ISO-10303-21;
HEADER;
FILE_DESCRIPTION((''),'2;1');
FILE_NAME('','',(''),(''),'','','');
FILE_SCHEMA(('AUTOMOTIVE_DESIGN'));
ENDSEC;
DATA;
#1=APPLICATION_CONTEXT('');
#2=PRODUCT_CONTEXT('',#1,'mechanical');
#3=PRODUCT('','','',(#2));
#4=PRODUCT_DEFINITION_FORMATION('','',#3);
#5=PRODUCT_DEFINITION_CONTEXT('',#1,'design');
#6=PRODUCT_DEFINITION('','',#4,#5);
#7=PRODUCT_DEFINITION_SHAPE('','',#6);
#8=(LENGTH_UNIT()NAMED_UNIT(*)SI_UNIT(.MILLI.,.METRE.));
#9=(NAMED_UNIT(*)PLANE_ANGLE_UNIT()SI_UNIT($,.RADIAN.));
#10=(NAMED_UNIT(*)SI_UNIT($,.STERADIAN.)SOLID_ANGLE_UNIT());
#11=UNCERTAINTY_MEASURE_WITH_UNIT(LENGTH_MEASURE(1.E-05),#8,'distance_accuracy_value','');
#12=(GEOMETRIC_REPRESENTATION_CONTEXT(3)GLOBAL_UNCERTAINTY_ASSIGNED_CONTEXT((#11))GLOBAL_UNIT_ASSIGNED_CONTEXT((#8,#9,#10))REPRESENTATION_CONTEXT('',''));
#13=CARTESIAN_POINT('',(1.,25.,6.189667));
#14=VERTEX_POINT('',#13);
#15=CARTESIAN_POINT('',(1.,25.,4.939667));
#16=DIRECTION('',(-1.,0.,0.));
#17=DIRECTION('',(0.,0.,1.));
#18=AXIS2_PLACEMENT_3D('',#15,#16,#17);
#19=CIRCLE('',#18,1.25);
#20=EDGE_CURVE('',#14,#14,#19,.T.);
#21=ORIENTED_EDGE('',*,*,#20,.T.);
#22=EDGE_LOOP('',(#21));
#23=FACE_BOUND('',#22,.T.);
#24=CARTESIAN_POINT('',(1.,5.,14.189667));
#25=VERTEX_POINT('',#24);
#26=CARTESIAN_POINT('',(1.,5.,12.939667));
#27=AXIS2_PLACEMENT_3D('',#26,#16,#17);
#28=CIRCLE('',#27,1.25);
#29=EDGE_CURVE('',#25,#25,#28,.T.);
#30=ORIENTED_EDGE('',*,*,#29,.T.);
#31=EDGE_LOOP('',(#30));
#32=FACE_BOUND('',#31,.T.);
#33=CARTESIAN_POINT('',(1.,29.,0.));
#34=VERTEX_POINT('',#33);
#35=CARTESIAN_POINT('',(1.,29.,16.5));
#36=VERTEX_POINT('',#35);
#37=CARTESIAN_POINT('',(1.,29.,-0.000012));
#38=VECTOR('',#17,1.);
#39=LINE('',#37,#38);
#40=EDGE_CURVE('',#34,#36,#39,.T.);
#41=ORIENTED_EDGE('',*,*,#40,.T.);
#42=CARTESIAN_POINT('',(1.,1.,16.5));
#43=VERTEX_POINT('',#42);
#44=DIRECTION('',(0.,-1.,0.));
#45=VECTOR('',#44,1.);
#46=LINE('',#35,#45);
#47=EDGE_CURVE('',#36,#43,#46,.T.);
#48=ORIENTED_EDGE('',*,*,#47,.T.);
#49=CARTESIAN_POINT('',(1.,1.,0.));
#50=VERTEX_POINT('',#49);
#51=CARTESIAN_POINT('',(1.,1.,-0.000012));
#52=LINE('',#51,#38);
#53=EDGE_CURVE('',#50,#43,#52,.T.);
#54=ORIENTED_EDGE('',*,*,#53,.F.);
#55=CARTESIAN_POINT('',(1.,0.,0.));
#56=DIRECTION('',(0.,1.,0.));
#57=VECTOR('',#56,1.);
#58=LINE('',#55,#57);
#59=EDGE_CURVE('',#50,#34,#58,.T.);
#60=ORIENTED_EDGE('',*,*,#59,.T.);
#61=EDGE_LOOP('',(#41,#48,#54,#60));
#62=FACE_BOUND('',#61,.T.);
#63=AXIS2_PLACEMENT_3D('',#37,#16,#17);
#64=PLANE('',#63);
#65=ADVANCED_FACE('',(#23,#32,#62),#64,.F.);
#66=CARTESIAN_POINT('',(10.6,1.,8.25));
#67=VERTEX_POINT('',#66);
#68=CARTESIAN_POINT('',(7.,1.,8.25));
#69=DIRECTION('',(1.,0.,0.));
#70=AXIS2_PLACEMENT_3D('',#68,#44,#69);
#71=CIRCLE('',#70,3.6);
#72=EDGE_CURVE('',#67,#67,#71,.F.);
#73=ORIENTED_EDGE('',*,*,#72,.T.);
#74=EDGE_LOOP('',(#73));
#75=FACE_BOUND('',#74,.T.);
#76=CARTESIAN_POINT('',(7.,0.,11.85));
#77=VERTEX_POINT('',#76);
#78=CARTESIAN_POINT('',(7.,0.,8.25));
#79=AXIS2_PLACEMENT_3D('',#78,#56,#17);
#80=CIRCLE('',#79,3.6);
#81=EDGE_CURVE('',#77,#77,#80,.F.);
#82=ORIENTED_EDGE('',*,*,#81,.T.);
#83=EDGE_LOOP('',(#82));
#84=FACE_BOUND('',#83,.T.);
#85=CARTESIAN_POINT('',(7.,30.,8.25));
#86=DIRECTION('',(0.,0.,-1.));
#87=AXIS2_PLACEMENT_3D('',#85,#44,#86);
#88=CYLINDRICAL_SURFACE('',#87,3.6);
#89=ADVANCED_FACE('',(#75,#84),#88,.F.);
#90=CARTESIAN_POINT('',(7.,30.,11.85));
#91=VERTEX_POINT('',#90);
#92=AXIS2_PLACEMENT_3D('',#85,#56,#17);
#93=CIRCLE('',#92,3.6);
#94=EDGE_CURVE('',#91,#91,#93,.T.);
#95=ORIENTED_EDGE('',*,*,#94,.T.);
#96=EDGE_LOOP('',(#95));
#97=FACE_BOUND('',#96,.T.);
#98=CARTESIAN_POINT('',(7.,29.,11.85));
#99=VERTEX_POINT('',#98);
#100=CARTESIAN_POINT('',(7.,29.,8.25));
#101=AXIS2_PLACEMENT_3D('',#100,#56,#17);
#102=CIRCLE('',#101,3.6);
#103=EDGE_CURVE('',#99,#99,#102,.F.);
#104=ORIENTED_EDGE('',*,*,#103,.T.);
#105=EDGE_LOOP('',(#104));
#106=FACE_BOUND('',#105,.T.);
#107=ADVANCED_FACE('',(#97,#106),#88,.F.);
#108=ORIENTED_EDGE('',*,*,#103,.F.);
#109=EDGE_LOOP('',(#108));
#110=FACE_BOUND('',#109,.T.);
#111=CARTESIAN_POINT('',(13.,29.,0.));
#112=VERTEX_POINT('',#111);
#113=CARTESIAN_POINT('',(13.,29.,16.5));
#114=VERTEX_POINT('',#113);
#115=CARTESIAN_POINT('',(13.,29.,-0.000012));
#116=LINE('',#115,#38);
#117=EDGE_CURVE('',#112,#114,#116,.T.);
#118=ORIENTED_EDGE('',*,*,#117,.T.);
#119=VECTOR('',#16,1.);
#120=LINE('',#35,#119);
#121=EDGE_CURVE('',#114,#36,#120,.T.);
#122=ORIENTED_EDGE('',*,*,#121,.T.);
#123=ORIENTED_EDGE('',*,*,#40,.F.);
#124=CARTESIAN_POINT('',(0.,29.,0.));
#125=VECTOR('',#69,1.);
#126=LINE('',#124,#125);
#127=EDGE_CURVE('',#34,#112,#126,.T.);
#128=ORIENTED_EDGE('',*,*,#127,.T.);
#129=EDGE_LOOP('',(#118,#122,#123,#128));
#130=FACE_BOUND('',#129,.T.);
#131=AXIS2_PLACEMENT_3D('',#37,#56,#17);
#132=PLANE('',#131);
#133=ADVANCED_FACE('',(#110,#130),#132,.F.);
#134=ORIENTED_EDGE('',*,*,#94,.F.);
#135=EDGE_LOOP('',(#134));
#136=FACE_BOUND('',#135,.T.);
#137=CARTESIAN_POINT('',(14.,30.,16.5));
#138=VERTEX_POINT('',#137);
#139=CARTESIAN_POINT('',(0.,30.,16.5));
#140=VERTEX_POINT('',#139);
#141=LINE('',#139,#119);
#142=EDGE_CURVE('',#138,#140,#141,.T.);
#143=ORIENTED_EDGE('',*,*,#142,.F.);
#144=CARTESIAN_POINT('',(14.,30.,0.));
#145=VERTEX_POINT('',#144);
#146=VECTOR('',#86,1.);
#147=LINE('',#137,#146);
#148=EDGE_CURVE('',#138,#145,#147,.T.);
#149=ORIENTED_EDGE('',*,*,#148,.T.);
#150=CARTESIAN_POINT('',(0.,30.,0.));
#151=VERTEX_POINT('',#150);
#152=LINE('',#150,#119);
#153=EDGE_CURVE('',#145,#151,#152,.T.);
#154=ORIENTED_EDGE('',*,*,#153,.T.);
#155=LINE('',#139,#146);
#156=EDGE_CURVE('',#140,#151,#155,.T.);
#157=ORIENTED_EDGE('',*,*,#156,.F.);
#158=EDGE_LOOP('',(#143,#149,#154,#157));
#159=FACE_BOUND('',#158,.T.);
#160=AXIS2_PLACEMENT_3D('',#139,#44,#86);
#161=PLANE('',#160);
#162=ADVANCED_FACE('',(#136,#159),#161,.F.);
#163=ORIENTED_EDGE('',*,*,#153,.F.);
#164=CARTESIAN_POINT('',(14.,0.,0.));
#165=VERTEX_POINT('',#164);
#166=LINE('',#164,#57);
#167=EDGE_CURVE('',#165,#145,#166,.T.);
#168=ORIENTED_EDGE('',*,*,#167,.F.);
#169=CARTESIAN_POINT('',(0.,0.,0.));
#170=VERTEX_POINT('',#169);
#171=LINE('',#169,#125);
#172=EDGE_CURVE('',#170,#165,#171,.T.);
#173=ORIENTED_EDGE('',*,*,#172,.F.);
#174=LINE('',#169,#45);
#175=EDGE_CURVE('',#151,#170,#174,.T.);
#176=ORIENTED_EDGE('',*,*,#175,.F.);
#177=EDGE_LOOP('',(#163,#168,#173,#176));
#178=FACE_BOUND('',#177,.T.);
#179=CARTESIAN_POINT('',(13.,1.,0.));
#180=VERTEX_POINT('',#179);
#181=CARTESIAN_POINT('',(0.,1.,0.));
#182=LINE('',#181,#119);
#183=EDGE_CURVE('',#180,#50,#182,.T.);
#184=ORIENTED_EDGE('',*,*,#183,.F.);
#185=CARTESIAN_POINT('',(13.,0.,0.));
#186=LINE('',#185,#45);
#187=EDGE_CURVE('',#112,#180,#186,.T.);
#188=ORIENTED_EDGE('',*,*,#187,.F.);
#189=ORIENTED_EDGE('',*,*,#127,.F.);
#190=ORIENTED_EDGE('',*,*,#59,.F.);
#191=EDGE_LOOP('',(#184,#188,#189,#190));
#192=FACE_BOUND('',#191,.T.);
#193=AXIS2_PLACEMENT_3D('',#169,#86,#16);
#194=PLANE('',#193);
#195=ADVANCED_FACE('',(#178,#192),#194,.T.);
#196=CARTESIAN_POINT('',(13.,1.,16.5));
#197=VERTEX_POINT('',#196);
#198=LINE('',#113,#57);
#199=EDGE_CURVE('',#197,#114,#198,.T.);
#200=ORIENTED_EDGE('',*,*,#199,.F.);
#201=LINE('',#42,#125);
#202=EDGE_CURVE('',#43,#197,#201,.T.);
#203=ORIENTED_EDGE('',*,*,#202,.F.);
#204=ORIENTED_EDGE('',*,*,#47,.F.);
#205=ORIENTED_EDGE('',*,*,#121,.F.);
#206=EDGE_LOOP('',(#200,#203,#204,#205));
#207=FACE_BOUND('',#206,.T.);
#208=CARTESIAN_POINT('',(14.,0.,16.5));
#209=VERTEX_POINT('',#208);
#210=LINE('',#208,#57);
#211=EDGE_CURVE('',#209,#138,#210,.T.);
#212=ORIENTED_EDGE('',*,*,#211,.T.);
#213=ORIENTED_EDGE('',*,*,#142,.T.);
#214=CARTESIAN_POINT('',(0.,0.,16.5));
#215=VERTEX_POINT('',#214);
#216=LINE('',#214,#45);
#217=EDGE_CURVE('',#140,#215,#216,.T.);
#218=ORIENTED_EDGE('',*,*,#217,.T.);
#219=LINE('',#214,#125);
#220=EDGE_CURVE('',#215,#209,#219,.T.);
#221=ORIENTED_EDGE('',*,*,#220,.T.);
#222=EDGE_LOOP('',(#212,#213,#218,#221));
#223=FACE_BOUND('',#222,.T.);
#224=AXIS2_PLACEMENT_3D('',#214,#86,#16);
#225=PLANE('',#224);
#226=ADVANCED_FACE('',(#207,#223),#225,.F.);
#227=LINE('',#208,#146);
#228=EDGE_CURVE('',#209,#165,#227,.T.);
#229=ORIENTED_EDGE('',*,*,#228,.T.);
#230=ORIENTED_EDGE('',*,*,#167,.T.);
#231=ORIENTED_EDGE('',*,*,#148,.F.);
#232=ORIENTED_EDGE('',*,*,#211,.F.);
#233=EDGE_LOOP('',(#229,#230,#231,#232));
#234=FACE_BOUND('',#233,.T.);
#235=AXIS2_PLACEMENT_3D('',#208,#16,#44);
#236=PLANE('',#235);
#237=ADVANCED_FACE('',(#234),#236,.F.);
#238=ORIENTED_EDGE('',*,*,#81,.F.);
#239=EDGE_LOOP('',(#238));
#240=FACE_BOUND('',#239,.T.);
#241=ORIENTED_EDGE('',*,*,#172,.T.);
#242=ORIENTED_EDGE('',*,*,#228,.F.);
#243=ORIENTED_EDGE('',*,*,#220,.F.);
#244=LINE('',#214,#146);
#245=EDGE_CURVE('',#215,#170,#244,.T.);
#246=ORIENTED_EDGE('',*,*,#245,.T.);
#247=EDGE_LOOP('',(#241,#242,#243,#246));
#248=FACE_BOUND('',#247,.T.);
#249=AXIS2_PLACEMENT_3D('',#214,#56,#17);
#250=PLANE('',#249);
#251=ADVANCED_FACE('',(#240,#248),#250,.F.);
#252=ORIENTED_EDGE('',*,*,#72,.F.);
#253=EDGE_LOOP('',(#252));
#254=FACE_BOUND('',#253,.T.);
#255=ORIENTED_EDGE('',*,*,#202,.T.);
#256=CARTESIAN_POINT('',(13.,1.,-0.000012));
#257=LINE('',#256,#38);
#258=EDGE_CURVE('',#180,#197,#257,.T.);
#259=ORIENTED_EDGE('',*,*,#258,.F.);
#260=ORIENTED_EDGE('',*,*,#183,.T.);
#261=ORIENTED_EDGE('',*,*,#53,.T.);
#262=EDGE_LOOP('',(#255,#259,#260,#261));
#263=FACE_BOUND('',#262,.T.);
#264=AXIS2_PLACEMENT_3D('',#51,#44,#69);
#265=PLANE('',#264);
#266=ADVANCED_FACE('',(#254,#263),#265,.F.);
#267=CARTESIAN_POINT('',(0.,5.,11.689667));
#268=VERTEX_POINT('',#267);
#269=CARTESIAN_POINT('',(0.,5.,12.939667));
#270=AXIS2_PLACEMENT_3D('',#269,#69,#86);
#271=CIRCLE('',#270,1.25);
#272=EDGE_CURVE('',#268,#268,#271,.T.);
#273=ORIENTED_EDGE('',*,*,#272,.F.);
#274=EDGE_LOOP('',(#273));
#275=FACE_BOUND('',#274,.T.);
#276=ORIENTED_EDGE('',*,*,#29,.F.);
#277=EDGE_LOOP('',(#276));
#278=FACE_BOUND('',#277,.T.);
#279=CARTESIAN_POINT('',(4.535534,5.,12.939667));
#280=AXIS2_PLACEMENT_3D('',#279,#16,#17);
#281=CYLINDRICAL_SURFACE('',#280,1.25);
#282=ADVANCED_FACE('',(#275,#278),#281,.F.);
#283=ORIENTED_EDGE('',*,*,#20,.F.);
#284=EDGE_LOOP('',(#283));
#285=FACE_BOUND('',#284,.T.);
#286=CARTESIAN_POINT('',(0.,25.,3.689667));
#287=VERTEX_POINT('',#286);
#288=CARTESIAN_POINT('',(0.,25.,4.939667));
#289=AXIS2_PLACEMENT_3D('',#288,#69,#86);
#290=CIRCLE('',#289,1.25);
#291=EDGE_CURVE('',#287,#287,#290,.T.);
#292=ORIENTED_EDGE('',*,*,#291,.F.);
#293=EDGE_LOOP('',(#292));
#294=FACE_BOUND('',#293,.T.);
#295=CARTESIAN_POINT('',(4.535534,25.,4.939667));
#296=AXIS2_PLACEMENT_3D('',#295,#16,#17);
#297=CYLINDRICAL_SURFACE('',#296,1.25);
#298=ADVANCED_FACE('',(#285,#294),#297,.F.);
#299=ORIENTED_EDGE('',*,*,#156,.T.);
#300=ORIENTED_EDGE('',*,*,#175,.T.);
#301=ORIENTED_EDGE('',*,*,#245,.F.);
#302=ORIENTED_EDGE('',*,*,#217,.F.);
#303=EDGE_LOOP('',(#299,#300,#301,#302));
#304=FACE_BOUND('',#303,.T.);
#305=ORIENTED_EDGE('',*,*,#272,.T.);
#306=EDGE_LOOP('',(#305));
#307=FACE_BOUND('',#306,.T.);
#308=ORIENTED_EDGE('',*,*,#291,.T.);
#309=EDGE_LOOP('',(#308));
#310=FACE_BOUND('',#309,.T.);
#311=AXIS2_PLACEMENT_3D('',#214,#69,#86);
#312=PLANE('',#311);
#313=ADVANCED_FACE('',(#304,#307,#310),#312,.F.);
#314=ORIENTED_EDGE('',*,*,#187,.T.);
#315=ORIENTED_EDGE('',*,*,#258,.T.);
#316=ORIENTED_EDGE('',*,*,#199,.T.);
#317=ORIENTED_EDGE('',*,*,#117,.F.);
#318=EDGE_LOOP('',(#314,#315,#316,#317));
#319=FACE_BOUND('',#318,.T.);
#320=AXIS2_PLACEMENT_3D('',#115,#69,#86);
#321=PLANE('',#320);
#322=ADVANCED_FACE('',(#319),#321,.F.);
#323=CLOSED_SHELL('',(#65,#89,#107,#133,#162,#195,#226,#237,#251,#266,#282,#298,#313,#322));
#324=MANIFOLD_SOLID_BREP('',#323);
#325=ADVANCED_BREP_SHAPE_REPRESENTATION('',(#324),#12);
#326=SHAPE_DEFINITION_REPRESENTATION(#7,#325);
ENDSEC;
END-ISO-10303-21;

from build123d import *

# Parameters (mm, degrees)
SKETCH1_W               = 14
SKETCH1_H               = 30
BOSS_EXTRUDE1_DEPTH     = 16.5
CUT_EXTRUDE3_DEPTH      = 37.989863476
CUT_EXTRUDE3_DEPTH_BACK = 37.989863476
SKETCH3_OUTSIDE_W       = 23.398
SKETCH3_OUTSIDE_H       = 39.398
SKETCH3_OUTSIDE_W_2     = 14
SKETCH3_OUTSIDE_H_2     = 30
SKETCH3_OUTSIDE_W_3     = 12
SKETCH3_OUTSIDE_H_3     = 28
CUT_EXTRUDE4_DEPTH      = 37.989863476
CUT_EXTRUDE4_DEPTH_BACK = 16.5
SKETCH4_R               = 3.6
SKETCH5_R               = 1.25
CUT_EXTRUDE6_DEPTH      = 1


with BuildPart() as part:
    # Sketch1 → Boss-Extrude1 (new body)
    with BuildSketch(Plane.XY):
        with Locations((7, 15)):
            Rectangle(SKETCH1_W, SKETCH1_H)
    extrude(amount=BOSS_EXTRUDE1_DEPTH)

    # Sketch3 outside → Cut-Extrude3 (cut, two sides: drawn at the far end of the back side and taken through both)
    # profile 1 of 2: a face of its own
    with BuildSketch(Plane.XY.offset(-CUT_EXTRUDE3_DEPTH_BACK)):
        with Locations((7, 15)):
            Rectangle(SKETCH3_OUTSIDE_W, SKETCH3_OUTSIDE_H)
        with Locations((7, 15)):
            Rectangle(SKETCH3_OUTSIDE_W_2, SKETCH3_OUTSIDE_H_2, mode=Mode.SUBTRACT)
    # profile 2 of 2: a face of its own
    with BuildSketch(Plane.XY.offset(-CUT_EXTRUDE3_DEPTH_BACK)):
        with Locations((7, 15)):
            Rectangle(SKETCH3_OUTSIDE_W_3, SKETCH3_OUTSIDE_H_3)
    extrude(amount=CUT_EXTRUDE3_DEPTH + CUT_EXTRUDE3_DEPTH_BACK, mode=Mode.SUBTRACT)

    # Sketch4 → Cut-Extrude4 (cut, two sides: drawn at the far end of the back side and taken through both)
    with BuildSketch(Plane(origin=(0, 0, 0), x_dir=(1, 0, 0), z_dir=(0, 1, 0)).offset(-CUT_EXTRUDE4_DEPTH_BACK)):
        with Locations((7, -8.25)):
            Circle(SKETCH4_R)
    extrude(amount=CUT_EXTRUDE4_DEPTH + CUT_EXTRUDE4_DEPTH_BACK, mode=Mode.SUBTRACT)

    # Sketch5 → Cut-Extrude6 (cut)
    with BuildSketch(Plane(origin=(0, 0, 0), x_dir=(0, 0, -1), z_dir=(1, 0, 0))):
        with Locations(Location((-4.939666778, 25, 0), (0, 0, 180))):
            Circle(SKETCH5_R)
        with Locations(Location((-12.939666778, 5, 0), (0, 0, 180))):
            Circle(SKETCH5_R)
    extrude(amount=CUT_EXTRUDE6_DEPTH, mode=Mode.SUBTRACT)


solid = part.part
